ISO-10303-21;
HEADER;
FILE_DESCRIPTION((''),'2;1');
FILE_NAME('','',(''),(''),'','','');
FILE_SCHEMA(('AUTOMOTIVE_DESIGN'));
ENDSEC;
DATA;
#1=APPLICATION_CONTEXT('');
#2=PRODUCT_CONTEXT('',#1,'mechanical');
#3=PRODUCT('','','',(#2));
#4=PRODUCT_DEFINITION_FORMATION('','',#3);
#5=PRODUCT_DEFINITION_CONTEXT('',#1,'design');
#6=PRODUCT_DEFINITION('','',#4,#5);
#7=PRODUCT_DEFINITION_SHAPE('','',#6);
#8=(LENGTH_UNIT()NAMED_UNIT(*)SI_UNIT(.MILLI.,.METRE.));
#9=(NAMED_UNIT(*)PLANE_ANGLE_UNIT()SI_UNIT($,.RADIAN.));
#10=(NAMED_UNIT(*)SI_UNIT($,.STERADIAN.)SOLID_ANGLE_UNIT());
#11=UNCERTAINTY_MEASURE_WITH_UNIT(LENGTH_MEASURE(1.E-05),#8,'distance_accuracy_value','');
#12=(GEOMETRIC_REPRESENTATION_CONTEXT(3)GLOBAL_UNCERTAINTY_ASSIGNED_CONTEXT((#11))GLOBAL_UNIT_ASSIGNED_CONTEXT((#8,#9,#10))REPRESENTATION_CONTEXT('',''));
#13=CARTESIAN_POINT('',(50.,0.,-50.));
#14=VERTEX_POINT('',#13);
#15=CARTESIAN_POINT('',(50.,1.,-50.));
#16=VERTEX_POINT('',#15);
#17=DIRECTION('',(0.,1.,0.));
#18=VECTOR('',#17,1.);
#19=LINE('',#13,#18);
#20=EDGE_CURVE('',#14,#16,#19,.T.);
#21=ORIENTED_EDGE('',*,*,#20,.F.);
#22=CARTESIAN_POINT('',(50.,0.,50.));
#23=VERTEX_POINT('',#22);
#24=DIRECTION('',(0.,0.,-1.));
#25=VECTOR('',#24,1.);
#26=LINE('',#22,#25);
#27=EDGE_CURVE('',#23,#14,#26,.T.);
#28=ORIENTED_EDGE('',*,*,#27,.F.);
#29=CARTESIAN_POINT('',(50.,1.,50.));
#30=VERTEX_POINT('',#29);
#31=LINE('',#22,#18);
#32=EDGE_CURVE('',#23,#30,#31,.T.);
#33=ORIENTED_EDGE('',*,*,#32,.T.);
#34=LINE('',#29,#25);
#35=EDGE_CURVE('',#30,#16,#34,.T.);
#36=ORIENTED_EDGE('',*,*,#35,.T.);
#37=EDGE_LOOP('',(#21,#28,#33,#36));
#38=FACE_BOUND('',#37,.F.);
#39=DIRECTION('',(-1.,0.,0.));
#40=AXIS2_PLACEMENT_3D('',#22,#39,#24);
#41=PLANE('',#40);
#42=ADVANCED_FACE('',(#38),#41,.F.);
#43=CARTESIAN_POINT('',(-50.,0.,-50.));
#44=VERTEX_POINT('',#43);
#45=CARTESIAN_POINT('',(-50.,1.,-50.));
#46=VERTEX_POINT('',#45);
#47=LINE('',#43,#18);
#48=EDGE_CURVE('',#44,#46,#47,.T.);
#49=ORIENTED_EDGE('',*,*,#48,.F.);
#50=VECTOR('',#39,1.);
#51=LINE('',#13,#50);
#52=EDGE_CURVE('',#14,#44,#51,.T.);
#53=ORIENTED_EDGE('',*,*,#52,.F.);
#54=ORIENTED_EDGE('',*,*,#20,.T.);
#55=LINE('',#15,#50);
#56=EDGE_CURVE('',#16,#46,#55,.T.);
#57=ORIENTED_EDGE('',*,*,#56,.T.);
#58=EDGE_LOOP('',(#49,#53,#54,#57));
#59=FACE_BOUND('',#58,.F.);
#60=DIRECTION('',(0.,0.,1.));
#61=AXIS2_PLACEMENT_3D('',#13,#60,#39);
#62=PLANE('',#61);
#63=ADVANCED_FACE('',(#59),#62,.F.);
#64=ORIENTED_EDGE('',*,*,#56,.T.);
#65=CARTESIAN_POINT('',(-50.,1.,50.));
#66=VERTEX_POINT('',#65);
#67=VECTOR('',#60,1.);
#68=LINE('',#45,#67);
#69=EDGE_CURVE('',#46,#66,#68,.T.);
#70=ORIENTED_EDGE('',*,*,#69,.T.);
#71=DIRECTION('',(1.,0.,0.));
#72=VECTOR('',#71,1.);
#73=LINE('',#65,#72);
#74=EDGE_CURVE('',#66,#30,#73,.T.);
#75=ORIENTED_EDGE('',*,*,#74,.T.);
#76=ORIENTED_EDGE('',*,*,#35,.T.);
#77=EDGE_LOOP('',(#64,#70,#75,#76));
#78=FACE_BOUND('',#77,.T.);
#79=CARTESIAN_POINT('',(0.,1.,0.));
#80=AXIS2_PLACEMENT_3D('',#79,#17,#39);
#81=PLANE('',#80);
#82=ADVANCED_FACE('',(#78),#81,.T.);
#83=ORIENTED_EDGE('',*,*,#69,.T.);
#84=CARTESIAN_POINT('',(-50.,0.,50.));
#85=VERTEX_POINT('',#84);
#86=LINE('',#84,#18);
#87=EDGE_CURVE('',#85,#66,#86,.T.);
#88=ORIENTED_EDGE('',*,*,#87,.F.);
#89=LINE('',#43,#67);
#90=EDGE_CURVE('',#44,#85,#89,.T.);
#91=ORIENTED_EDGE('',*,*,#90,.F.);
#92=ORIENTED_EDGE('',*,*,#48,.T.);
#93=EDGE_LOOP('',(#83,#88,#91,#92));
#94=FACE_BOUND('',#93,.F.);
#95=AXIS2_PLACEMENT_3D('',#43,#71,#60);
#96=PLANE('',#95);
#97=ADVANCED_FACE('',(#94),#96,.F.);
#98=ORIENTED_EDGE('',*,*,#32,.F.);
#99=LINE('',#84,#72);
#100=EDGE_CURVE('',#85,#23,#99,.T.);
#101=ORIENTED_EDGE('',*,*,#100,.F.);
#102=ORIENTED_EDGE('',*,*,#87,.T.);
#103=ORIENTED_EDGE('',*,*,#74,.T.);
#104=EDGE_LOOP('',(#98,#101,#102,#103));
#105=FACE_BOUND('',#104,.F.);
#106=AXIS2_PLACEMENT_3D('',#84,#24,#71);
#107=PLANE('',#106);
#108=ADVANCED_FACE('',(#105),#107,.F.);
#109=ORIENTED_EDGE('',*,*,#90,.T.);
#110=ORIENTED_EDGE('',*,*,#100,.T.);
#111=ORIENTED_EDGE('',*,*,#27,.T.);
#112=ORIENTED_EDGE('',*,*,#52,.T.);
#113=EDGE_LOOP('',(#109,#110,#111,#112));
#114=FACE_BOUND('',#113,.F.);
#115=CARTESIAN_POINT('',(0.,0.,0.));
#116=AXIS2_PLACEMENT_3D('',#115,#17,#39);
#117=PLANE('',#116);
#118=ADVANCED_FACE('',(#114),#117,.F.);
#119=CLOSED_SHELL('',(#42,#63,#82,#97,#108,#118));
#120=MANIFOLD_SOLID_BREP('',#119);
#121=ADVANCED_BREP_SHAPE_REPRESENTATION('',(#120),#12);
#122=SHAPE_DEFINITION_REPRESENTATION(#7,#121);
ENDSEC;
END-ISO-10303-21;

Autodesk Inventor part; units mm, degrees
ref_plane "YZ Plane" through (0, 0, 0) normal (1, 0, 0) x (0, 1, 0)
ref_plane "XZ Plane" through (0, 0, 0) normal (0, 1, 0) x (-1, 0, 0)
ref_plane "XY Plane" through (0, 0, 0) normal (0, 0, 1) x (1, 0, 0)
sketch "Szkic1" plane through (0, 0, 0) normal (0, 1, 0) x (-1, 0, 0)
  line L0 (50, 50) -> (-50, 50)
  line L1 (-50, 50) -> (-50, -50)
  line L2 (-50, -50) -> (50, -50)
  line L3 (50, -50) -> (50, 50)
  point P0 (0, 0)
  dimension "d0" = 100
  dimension "d1" = 100
  dimension "d2" = 50
  dimension "d3" = 50
extrude "Wyciągnięcie proste1" add sketch "Szkic1" along normal blind 1
sketch "Szkic2" plane through (0, 1, 0) normal (0, 1, 0) x (1, 0, 0)
  line L0 (-50, -50) -> (50, -50) projected
  line L1 (50, -50) -> (50, 50) projected
  line L2 (-50, -50) -> (50, 50)
  line L3 (-49.5179, 50) -> (50, -49.8393)
  point P0 (0, 0)
properties part number "Platworma_10x10" material "Szkło"
